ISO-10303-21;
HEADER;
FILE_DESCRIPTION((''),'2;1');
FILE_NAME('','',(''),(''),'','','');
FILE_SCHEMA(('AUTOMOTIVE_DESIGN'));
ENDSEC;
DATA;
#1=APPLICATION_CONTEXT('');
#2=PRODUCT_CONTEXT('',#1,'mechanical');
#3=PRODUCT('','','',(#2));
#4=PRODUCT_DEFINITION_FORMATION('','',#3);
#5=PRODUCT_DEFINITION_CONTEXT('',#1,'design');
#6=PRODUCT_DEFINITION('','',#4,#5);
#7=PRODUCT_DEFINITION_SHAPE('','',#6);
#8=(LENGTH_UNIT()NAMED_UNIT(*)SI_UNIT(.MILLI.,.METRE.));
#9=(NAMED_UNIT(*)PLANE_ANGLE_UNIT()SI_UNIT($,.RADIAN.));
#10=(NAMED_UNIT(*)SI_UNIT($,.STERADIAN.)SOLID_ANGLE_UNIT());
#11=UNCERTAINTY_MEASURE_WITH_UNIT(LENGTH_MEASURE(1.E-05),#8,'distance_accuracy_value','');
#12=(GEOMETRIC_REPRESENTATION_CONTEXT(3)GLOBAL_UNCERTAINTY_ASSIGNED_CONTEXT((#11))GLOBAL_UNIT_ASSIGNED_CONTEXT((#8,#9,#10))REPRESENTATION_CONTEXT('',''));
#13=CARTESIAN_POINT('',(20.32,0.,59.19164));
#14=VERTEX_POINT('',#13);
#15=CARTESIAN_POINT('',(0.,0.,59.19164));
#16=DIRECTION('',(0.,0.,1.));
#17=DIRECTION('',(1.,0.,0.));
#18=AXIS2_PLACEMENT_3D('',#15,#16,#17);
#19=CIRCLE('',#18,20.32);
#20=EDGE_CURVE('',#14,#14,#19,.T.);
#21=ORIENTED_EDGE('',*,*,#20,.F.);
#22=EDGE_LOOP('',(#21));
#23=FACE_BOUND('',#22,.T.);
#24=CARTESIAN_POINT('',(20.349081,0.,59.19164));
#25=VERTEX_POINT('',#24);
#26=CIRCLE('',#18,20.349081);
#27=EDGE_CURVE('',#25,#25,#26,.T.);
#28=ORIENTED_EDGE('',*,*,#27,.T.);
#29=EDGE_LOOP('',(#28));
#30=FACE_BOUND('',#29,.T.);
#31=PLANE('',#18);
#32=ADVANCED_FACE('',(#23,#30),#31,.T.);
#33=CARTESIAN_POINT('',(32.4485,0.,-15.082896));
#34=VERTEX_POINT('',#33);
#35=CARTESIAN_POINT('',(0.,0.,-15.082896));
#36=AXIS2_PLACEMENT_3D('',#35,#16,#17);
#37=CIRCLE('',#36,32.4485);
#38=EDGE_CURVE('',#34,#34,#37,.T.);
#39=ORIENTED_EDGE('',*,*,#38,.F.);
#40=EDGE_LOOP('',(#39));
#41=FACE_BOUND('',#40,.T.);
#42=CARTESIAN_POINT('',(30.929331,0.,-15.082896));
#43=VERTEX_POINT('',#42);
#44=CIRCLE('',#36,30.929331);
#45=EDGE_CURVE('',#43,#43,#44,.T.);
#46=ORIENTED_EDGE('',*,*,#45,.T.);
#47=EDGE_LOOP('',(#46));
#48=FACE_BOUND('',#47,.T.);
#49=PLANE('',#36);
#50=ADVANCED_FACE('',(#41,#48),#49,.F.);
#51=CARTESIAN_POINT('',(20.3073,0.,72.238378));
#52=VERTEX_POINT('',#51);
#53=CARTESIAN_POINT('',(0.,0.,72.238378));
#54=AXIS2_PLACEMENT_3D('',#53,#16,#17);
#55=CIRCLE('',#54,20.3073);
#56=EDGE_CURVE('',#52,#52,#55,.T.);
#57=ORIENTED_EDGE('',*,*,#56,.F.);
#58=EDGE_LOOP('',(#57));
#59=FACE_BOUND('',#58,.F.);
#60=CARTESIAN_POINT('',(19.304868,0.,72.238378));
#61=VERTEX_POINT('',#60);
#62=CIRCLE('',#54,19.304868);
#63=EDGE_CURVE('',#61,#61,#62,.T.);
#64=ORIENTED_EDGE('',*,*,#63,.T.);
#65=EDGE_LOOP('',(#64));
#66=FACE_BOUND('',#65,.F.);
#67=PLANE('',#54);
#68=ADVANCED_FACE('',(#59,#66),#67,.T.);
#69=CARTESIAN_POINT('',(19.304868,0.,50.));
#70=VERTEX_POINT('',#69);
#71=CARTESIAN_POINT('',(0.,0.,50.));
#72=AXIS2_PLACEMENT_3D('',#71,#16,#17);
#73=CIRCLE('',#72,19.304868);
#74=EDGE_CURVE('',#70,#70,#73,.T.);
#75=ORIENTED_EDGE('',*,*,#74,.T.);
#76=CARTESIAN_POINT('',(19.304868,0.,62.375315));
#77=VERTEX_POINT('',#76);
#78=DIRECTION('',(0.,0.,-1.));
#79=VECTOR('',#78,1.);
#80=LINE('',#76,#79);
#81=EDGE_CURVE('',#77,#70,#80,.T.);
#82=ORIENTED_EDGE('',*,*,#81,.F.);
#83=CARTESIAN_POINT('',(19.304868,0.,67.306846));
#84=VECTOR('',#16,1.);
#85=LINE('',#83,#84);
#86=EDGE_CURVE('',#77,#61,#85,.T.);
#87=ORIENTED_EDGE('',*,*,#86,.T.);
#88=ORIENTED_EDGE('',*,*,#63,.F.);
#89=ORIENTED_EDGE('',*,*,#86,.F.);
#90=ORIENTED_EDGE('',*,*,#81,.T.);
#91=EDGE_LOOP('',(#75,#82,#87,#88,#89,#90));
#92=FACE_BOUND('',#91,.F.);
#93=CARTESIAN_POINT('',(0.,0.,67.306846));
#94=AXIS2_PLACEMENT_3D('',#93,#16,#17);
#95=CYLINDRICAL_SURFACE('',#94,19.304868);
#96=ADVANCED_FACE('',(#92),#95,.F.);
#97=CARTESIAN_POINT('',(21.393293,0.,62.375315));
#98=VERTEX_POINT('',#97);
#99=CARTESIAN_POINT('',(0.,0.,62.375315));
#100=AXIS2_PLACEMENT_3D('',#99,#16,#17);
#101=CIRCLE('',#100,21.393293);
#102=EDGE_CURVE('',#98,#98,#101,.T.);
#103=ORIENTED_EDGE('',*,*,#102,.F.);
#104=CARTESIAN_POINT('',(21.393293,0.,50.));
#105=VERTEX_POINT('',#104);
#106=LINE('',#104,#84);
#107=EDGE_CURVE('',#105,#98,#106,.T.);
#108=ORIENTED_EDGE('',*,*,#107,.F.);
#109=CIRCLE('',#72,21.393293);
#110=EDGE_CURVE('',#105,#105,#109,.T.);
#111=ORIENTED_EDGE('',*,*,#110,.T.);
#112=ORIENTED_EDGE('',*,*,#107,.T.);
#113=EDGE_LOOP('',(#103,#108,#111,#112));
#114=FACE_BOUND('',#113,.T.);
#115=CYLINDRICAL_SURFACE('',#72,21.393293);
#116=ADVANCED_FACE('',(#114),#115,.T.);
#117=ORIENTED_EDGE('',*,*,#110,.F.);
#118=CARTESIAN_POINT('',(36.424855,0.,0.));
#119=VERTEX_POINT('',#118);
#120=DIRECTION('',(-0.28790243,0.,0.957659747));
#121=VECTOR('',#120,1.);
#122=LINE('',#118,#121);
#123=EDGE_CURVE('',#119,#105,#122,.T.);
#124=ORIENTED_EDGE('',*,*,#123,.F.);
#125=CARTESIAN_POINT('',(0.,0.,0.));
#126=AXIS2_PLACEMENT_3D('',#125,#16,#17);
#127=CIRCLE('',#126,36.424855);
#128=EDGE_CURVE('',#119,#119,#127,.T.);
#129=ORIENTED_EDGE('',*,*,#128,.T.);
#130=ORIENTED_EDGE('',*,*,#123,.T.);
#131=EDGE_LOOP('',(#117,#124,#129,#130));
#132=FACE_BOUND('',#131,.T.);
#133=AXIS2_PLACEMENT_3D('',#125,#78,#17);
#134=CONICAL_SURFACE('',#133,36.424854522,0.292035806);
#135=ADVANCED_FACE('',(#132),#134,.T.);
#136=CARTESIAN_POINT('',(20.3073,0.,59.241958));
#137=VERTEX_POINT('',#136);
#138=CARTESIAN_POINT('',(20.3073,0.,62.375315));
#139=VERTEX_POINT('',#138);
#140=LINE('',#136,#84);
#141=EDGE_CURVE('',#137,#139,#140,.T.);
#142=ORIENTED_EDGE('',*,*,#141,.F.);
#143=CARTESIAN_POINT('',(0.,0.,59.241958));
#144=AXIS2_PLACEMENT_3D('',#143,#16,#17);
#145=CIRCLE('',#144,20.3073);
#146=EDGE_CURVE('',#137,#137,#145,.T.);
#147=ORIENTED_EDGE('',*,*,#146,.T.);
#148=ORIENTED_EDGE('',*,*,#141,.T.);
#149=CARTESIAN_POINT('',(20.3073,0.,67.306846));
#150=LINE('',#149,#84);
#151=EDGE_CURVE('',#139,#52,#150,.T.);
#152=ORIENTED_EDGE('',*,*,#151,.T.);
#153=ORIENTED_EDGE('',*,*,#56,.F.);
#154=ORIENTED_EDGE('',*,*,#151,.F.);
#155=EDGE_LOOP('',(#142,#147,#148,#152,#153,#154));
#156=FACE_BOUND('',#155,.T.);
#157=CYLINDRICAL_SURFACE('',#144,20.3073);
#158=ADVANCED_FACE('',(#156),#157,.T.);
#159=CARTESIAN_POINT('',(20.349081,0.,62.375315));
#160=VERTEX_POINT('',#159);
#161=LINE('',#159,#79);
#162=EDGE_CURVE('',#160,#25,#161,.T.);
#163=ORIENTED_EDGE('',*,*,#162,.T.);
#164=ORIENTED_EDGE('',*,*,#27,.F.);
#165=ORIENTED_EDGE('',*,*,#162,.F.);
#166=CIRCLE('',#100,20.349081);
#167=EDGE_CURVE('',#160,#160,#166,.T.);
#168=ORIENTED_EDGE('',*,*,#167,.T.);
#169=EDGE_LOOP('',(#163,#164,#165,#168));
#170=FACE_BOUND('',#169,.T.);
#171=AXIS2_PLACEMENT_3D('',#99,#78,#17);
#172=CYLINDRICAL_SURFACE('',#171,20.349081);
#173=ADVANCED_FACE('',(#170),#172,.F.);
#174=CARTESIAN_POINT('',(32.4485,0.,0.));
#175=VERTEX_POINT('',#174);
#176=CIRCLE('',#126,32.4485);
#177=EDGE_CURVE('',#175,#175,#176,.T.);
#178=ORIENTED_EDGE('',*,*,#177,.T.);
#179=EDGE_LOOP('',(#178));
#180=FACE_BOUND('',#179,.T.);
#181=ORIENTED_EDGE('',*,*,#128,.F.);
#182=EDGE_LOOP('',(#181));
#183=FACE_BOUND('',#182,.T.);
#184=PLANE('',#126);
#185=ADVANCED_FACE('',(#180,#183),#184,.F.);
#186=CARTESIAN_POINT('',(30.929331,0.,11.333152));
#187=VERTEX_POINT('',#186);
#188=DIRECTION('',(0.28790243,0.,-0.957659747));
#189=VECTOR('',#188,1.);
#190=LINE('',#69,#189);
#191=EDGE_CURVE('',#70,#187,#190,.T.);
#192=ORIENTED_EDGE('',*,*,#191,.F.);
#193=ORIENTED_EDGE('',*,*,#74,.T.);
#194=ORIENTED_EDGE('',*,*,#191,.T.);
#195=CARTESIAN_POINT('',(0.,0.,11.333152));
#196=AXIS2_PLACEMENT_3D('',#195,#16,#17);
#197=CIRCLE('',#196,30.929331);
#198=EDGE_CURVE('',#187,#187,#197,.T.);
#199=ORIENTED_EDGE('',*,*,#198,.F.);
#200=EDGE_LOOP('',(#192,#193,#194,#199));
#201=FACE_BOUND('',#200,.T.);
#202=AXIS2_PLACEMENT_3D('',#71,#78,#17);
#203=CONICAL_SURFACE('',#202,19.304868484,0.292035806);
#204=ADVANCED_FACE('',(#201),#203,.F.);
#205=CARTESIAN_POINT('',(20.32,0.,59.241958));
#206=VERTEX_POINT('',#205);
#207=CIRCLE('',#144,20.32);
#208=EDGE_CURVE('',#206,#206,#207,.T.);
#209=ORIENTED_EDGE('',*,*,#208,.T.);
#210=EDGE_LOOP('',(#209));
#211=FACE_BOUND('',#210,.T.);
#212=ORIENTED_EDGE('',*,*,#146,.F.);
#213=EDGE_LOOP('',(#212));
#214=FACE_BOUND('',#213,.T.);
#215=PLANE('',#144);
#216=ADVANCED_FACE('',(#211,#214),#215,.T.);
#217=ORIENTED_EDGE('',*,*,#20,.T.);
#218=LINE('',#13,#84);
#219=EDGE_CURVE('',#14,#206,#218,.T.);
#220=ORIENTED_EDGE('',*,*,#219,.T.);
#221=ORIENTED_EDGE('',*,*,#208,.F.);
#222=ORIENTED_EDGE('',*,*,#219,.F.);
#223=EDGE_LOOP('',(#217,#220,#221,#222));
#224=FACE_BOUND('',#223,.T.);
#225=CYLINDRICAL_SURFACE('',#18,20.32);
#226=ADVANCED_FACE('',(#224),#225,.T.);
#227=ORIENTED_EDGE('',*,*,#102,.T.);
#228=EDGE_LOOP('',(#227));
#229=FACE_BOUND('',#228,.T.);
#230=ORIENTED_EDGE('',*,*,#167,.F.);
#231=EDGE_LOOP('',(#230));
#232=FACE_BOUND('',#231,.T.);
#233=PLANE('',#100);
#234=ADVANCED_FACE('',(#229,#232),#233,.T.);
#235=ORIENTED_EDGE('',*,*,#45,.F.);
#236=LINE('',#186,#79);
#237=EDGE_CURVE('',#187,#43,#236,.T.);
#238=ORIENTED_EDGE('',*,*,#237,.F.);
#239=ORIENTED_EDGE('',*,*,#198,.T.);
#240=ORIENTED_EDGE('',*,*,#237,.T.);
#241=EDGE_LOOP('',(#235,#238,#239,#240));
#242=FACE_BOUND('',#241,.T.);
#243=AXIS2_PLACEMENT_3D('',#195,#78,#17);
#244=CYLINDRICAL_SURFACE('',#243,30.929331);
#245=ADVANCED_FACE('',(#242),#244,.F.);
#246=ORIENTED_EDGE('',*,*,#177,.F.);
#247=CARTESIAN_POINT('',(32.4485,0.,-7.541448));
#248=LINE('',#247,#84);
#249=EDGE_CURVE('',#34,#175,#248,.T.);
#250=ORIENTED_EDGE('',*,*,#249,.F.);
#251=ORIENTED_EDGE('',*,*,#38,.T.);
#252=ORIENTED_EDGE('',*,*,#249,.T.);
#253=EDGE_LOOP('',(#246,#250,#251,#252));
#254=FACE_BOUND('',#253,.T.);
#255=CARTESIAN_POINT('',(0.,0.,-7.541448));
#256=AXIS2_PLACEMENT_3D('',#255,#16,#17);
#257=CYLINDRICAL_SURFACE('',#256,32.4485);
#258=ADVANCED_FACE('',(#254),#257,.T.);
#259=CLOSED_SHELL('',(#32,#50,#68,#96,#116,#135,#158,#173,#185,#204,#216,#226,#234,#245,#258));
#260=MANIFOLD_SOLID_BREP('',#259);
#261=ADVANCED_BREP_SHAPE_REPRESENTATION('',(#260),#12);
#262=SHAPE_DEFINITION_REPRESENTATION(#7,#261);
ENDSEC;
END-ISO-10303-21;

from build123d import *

# Parameters (mm, degrees)
F0_W   = 1.5191692636
F0_H   = 15.0828957558
F0_W_2 = 1.0024315159
F0_H_2 = 9.863063693


with BuildPart() as f1:
    # F0 (on Front) → F1 (revolve)
    with BuildSketch(Plane.XZ):
        Polygon((36.4248545221, 0), (21.3932929025, 50), (21.3932929025, 62.3753145337), (20.3490806933, 62.3753145337), (20.3490806933, 59.1916404665), (20.32, 59.1916404665), (20.32, 59.2419579625), (20.3073, 59.2419579625), (19.3048684841, 56.1876572669), (19.3048684841, 50), (30.9293307364, 11.333151716), (32.4485, 6.2798867857), (34.3364301037, 0), align=None)
        Polygon((32.4485, 0), (34.3364301037, 0), (32.4485, 6.2798867857), align=None)
        Polygon((32.4485, 0), (32.4485, 6.2798867857), (30.9293307364, 11.333151716), (30.9293307364, 0), align=None)
        with Locations((31.6889153682, -7.5414478779)):
            Rectangle(F0_W, F0_H)
        with Locations((19.806084242, 67.3068463802)):
            Rectangle(F0_W_2, F0_H_2)
        Polygon((20.3073, 59.2419579625), (20.3073, 62.3753145337), (19.3048684841, 62.3753145337), (19.3048684841, 56.1876572669), align=None)
    revolve(axis=Axis((0, 0, 25), (0, 0, 1)))


solid = f1.part
